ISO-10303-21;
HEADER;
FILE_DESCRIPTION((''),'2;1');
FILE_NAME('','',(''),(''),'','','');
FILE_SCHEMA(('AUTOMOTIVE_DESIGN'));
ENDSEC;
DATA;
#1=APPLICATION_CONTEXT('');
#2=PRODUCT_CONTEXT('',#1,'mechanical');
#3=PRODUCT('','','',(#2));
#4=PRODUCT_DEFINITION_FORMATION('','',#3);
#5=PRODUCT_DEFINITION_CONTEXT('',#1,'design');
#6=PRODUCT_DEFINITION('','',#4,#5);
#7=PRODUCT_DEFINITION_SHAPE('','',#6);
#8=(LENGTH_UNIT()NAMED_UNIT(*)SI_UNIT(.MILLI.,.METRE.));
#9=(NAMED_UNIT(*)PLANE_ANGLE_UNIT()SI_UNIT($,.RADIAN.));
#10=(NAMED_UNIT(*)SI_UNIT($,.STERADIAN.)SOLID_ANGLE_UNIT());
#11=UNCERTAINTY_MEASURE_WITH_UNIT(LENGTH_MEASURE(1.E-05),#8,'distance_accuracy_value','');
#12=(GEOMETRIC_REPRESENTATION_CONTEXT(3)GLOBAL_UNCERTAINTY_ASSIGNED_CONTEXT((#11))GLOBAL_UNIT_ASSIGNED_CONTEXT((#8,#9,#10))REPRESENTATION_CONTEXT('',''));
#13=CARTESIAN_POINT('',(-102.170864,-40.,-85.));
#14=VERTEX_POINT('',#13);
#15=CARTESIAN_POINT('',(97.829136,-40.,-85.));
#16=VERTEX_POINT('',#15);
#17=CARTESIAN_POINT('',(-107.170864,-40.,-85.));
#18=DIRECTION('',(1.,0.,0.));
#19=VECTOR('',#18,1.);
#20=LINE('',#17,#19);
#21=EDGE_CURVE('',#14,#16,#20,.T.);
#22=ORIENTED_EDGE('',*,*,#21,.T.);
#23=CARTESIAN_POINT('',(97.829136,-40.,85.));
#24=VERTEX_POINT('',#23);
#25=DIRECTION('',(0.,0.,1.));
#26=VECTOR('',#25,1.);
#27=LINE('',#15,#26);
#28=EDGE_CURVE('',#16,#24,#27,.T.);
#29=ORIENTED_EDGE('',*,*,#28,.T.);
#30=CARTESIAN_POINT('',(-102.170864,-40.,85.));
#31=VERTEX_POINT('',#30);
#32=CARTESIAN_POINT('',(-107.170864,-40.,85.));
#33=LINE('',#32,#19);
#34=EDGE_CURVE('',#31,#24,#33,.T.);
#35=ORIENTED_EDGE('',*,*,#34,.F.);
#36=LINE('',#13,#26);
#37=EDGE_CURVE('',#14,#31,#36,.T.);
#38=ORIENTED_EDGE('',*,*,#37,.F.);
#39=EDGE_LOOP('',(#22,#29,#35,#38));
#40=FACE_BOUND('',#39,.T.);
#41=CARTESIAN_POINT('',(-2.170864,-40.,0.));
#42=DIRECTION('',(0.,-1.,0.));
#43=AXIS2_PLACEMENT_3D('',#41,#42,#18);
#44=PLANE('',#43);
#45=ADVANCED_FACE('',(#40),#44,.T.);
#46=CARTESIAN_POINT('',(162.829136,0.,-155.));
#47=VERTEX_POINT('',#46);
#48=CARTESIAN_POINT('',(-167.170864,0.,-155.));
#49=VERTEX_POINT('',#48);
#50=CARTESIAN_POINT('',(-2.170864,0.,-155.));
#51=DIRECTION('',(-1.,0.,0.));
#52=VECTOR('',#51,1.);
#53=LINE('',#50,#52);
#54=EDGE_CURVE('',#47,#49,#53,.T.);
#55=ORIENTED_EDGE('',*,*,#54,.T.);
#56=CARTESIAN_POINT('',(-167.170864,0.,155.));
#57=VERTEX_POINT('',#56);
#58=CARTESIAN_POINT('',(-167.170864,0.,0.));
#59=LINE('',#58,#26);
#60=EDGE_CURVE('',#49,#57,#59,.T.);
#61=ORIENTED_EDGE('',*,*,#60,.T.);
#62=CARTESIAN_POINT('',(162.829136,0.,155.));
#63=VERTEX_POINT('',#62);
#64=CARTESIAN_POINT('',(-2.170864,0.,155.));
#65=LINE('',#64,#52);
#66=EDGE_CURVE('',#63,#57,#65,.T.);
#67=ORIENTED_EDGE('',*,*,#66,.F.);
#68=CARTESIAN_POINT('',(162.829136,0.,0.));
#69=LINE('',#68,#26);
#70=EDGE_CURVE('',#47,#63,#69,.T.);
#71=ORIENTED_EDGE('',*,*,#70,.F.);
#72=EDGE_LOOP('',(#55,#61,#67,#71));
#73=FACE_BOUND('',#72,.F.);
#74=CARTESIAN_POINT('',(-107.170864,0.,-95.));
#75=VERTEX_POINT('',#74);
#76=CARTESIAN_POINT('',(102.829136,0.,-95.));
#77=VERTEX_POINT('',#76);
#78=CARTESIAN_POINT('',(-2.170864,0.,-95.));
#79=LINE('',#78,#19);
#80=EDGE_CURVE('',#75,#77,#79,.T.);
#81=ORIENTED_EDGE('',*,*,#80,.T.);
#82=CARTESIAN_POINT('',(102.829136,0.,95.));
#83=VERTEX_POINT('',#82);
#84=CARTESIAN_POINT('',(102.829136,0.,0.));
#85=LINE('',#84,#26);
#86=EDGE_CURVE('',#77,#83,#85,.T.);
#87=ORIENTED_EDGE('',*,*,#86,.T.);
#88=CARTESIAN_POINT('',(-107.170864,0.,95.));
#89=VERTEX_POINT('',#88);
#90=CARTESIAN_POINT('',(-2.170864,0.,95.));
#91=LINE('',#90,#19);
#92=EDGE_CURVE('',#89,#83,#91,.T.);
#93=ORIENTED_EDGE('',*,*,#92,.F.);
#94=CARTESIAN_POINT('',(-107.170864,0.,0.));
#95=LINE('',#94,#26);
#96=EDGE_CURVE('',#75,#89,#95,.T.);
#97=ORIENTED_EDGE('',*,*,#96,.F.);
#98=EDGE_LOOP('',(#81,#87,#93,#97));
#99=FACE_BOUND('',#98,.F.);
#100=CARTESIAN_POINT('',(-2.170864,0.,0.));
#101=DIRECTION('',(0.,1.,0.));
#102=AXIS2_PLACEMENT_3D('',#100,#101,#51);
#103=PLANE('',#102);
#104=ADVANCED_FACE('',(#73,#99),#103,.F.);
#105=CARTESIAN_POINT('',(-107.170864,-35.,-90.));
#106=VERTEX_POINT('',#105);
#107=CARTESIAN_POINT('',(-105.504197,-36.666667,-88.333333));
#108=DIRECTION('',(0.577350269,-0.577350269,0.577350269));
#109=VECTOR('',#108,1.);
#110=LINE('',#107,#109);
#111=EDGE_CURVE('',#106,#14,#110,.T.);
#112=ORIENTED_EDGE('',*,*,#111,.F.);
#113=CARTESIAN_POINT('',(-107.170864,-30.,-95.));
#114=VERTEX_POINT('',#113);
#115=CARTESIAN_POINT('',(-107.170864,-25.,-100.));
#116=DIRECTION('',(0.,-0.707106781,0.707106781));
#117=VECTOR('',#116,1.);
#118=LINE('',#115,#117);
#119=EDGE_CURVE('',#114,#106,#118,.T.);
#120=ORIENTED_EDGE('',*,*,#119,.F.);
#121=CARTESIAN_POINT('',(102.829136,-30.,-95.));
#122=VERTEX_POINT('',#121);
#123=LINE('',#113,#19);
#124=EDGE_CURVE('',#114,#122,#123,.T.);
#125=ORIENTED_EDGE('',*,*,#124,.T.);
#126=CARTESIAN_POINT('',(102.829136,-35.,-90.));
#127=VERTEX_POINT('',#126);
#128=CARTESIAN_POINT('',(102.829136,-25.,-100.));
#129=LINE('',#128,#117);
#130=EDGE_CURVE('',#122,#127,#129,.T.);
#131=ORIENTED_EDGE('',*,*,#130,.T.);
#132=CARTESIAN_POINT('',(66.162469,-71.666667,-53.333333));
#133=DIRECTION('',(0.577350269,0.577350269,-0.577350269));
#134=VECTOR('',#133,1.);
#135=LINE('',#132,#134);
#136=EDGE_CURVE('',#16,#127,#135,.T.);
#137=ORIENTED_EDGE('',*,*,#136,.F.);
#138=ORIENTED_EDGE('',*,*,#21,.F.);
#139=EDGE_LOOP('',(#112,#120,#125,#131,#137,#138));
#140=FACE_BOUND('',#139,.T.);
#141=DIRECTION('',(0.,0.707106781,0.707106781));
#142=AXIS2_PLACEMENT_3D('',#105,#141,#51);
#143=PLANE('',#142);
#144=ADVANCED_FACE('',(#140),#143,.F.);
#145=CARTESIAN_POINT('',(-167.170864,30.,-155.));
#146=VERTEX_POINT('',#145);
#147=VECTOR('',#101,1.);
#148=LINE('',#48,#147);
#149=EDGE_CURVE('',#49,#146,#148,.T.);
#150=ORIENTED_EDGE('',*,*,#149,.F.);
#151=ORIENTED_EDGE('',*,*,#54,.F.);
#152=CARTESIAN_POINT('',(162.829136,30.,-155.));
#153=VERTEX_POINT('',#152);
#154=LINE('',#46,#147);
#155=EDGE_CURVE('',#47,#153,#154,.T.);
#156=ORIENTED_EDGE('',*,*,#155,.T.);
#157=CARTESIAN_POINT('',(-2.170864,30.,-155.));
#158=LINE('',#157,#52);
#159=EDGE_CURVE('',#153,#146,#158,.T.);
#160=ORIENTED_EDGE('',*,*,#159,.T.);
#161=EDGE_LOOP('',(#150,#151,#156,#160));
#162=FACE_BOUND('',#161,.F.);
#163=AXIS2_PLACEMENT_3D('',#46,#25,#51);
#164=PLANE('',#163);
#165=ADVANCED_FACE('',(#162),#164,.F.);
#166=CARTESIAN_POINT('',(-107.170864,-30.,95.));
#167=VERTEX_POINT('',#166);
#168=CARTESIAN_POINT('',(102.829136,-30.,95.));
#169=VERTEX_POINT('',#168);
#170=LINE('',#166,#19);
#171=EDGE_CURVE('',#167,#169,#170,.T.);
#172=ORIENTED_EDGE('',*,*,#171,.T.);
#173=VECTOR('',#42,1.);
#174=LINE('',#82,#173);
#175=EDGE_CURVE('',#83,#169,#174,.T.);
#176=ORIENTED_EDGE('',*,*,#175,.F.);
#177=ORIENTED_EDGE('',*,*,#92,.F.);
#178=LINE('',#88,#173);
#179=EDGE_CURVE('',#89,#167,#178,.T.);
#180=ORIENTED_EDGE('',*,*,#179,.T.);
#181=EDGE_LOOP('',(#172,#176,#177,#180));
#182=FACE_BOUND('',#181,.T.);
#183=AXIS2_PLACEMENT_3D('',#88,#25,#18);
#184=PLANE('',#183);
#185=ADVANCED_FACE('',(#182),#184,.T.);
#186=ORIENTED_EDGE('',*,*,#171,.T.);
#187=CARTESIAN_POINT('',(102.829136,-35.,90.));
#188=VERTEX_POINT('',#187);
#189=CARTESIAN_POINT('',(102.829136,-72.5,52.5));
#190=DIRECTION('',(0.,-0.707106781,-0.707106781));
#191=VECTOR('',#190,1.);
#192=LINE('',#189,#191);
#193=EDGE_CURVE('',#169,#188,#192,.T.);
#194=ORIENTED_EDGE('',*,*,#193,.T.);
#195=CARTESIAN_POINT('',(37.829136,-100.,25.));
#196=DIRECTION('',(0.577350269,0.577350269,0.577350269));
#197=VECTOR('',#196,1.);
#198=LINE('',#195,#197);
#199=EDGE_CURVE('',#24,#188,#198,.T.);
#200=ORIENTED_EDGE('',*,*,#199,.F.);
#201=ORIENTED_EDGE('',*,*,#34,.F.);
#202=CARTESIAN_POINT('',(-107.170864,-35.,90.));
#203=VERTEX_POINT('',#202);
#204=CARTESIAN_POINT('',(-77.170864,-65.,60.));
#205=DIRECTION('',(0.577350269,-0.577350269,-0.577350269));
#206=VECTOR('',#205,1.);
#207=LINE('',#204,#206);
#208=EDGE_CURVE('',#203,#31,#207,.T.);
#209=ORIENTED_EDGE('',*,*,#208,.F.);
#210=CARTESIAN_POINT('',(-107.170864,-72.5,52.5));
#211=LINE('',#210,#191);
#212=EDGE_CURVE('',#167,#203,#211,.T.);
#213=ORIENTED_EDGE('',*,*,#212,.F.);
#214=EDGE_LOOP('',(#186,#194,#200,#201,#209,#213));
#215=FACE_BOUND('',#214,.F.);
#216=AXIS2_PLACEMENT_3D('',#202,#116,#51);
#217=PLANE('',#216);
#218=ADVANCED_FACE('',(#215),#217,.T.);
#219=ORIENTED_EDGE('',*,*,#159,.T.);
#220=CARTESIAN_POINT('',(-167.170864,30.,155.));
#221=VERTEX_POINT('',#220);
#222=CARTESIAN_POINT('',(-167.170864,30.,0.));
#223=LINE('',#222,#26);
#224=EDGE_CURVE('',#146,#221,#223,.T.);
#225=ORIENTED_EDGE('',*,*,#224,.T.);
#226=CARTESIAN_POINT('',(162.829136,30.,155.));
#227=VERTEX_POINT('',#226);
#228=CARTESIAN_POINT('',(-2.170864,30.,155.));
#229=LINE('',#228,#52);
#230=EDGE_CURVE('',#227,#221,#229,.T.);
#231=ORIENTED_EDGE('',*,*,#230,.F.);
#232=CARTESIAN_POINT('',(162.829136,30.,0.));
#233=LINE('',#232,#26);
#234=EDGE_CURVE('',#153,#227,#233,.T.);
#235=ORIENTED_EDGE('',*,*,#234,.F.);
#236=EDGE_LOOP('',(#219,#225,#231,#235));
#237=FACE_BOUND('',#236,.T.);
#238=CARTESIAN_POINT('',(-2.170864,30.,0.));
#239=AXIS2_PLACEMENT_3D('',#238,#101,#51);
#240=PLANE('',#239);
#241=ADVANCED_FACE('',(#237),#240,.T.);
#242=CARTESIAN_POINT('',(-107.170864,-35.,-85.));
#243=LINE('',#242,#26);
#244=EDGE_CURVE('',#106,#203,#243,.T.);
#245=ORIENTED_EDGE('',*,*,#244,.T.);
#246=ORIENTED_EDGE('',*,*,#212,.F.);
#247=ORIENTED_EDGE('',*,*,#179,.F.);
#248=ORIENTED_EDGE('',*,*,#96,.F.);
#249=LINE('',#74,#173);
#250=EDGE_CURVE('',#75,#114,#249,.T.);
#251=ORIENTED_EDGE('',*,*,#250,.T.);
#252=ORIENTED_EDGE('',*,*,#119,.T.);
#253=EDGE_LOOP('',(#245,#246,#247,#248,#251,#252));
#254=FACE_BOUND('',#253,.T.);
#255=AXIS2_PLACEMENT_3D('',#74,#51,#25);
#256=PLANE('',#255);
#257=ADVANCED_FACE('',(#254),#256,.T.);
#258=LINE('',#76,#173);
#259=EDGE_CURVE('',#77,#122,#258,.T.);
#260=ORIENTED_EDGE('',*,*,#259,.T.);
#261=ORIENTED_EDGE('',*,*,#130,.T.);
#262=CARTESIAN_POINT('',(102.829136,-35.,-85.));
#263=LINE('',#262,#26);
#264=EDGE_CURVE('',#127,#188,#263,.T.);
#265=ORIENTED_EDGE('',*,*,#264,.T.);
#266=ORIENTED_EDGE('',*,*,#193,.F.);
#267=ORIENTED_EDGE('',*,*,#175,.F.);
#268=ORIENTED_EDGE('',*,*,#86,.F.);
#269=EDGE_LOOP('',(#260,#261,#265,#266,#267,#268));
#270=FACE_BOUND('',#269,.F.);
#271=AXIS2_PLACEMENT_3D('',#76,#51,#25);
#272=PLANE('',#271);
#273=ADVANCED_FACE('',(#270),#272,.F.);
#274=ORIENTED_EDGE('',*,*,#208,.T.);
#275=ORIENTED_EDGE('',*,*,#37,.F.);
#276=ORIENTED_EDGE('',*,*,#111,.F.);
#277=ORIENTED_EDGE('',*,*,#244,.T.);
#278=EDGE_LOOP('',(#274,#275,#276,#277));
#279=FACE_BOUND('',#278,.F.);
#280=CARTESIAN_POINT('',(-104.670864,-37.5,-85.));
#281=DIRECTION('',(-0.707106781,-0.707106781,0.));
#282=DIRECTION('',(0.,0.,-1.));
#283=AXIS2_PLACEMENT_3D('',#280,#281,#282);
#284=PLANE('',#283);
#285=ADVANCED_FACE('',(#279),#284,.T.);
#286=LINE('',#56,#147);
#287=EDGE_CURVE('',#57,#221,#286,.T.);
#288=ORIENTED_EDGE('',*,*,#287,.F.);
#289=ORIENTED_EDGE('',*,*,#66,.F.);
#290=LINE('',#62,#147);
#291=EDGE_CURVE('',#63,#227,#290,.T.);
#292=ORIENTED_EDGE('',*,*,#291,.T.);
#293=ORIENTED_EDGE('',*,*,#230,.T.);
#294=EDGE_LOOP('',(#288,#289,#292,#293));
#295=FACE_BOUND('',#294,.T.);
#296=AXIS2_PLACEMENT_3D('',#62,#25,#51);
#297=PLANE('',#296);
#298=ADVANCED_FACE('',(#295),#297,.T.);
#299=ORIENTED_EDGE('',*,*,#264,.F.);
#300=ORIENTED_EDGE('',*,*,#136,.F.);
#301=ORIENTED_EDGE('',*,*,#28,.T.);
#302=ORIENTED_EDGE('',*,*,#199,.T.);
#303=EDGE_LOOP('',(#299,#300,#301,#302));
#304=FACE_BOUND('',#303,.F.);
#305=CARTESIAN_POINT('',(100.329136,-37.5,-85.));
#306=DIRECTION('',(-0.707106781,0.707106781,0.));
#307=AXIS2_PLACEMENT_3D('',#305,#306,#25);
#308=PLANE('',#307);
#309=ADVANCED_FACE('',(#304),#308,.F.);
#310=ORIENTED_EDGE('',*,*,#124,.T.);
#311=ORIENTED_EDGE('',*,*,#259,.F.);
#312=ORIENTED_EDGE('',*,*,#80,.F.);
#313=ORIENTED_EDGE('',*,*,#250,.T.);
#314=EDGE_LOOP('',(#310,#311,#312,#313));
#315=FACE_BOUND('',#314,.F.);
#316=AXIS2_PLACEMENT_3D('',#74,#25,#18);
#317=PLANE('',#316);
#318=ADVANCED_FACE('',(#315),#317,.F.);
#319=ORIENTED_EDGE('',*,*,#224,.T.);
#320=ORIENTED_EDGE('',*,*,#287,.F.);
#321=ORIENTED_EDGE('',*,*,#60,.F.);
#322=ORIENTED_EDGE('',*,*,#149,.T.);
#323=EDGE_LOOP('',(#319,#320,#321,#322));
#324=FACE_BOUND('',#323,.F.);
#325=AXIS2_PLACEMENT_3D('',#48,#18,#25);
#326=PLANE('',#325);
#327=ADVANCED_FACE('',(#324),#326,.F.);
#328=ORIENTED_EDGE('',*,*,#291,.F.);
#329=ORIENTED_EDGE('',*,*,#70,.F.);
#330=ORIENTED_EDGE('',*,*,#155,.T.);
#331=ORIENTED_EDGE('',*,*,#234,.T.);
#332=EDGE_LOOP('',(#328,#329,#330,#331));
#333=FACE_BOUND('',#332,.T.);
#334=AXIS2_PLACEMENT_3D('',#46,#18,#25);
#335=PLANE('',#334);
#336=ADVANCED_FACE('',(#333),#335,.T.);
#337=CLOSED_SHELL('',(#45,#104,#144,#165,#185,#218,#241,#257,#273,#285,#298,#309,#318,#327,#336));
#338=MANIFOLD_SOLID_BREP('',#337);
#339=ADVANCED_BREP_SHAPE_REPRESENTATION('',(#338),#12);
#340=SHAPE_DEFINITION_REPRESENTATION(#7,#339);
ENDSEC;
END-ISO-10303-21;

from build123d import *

# Parameters (mm, degrees)
F0_W     = 210
F0_H     = 190
F1_DEPTH = 40
F2_W     = 330
F2_H     = 310
F3_DEPTH = 30
F4_SIZE  = 10
F5_SIZE  = 5


with BuildPart() as f1:
    # F0 (on Front) → F1 (new body)
    with BuildSketch(Plane.XZ):
        with Locations((-2.170864, 0)):
            Rectangle(F0_W, F0_H)
    extrude(amount=F1_DEPTH)

    # F2 (on face) → F3 (join)
    with BuildSketch(Plane(origin=(0, 0, 0), x_dir=(-1, 0, 0), z_dir=(0, 1, 0))):
        with Locations((2.170864, 0)):
            Rectangle(F2_W, F2_H)
    extrude(amount=F3_DEPTH)

    # F4
    f4_edges = [f1.edges().sort_by_distance(p)[0] for p in [
        (-2.170864, -40, 95),
        (-2.170864, -40, -95),
    ]]
    chamfer(f4_edges, length=F4_SIZE)

    # F5
    f5_edges = [f1.edges().sort_by_distance(p)[0] for p in [
        (-107.170864, -40, 0),
        (102.829136, -40, 0),
    ]]
    chamfer(f5_edges, length=F5_SIZE)


solid = f1.part
